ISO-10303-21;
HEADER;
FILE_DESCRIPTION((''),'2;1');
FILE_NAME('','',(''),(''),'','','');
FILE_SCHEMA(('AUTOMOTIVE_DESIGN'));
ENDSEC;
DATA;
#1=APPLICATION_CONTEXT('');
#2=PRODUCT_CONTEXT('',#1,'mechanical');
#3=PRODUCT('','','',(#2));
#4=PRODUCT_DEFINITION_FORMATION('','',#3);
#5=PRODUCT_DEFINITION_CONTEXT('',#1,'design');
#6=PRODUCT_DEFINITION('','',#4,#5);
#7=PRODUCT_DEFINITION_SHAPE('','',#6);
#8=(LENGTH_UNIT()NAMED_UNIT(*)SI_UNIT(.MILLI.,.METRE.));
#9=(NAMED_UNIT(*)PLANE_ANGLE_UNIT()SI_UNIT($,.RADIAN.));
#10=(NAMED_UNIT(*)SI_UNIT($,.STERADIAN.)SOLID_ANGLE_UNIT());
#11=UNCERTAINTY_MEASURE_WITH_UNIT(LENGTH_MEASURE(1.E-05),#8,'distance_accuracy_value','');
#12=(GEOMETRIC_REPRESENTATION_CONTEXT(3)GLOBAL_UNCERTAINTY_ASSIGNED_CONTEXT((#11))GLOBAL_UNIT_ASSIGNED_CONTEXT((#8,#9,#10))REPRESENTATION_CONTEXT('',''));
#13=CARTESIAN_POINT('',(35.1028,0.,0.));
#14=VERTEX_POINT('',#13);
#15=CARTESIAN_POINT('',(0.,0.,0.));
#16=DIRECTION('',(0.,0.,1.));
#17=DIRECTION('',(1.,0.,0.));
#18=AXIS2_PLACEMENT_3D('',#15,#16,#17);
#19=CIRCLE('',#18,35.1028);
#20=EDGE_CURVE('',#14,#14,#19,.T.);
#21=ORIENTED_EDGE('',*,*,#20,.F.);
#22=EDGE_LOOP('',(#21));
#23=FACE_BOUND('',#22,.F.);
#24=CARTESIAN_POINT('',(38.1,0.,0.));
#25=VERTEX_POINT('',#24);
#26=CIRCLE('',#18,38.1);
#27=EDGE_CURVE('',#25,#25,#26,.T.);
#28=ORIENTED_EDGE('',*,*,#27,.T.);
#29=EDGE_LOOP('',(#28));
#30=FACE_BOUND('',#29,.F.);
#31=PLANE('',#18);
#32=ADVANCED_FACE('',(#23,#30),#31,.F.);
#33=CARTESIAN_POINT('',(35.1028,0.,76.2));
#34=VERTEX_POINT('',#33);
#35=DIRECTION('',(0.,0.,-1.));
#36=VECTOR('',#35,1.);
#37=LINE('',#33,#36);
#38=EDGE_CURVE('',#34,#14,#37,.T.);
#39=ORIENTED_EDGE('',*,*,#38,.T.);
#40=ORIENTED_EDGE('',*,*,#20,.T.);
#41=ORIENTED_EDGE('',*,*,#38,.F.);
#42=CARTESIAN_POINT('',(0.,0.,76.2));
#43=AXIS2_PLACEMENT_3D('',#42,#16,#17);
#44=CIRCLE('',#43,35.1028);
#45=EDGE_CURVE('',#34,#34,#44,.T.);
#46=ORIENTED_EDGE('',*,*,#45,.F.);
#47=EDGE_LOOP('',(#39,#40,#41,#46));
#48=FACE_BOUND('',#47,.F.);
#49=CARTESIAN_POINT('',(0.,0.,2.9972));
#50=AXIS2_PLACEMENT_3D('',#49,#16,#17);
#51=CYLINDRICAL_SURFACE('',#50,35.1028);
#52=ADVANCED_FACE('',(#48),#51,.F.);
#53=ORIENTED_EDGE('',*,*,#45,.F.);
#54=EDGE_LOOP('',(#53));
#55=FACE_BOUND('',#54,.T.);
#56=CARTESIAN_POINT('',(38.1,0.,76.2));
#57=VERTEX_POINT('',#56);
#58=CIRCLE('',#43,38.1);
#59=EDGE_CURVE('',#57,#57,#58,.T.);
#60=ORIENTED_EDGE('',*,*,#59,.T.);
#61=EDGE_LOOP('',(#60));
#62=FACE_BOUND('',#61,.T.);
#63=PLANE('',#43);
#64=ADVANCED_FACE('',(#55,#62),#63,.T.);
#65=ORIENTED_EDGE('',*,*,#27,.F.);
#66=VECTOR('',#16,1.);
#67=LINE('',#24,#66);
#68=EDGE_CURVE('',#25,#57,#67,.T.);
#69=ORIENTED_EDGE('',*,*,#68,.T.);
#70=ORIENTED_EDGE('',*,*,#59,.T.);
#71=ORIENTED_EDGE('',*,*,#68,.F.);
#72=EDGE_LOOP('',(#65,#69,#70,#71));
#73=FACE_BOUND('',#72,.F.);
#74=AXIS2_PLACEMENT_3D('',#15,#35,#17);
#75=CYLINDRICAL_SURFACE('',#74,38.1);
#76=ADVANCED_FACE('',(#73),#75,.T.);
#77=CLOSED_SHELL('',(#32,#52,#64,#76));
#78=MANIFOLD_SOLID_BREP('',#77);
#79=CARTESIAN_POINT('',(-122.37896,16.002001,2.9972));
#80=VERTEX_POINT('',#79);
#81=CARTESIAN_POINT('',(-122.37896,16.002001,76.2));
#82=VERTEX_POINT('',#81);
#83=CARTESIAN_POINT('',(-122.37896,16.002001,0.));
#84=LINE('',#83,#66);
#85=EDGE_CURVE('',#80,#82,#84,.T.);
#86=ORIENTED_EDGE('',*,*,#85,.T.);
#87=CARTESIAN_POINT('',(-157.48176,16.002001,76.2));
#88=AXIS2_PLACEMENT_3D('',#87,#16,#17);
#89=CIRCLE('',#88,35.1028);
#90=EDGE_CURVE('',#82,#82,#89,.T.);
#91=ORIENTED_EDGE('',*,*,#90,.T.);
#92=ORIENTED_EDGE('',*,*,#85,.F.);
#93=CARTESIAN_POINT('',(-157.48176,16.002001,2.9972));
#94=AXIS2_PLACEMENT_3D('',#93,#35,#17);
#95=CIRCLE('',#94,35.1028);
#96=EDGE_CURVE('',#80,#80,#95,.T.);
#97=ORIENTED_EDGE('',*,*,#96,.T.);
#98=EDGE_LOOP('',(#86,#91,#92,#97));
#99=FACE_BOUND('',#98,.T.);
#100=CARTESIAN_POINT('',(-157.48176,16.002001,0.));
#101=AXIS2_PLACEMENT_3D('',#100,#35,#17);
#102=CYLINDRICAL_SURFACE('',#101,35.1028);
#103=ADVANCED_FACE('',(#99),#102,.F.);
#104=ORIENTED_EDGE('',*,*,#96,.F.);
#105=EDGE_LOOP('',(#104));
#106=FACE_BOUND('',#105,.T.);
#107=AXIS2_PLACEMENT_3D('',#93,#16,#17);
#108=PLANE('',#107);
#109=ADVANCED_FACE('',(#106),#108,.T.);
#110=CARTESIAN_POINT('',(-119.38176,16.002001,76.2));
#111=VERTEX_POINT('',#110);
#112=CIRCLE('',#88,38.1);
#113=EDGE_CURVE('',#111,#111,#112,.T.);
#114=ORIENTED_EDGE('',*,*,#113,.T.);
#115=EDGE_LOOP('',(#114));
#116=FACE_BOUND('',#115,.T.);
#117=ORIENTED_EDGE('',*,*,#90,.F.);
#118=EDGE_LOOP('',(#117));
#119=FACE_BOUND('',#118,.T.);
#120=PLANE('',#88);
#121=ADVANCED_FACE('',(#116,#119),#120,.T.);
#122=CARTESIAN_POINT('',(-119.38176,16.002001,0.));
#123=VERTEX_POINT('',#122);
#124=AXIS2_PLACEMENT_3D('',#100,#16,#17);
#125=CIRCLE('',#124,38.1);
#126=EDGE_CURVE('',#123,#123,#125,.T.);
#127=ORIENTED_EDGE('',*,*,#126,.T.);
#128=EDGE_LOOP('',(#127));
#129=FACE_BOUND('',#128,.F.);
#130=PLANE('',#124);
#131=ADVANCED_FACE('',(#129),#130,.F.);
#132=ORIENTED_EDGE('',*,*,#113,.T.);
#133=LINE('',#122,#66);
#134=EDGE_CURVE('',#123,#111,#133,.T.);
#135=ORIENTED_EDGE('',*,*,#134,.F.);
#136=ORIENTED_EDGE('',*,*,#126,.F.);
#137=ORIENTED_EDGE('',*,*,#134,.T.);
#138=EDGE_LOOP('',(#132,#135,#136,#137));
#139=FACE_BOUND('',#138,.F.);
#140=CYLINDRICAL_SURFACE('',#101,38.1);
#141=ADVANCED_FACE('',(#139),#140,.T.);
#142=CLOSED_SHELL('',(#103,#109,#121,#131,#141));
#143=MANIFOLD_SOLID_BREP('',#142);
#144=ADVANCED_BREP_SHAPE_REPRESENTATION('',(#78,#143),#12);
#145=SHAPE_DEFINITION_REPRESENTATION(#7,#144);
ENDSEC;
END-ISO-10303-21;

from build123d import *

# Parameters (mm, degrees)
F0_R     = 38.1
F1_DEPTH = 76.2
F2_R     = 38.1
F3_DEPTH = 76.2
F4_T     = -2.9972
F5_T     = -2.9972
F6_R     = 35.1028
F7_DEPTH = 25.4


with BuildPart() as f1:
    # F0 (on Top) → F1 (new body)
    with BuildSketch(Plane.XY):
        Circle(F0_R)
    extrude(amount=F1_DEPTH)

    # F5
    f5_openings = [f1.faces().sort_by_distance(p)[0] for p in [
        (0, 0, 76.2),
    ]]
    offset(amount=F5_T, openings=f5_openings)

    # F6 (on face) → F7 (cut)
    with BuildSketch(Plane.XY.offset(2.9972)):
        Circle(F6_R)
    extrude(amount=-F7_DEPTH, mode=Mode.SUBTRACT)


with BuildPart() as f3:
    # F2 (on Top) → F3 (new body)
    with BuildSketch(Plane.XY):
        with Locations((-157.4817597866, 16.0020012408)):
            Circle(F2_R)
    extrude(amount=F3_DEPTH)

    # F4
    f4_openings = [f3.faces().sort_by_distance(p)[0] for p in [
        (-157.48176, 16.002001, 76.2),
    ]]
    offset(amount=F4_T, openings=f4_openings)


solid = Compound([f1.part, f3.part])
